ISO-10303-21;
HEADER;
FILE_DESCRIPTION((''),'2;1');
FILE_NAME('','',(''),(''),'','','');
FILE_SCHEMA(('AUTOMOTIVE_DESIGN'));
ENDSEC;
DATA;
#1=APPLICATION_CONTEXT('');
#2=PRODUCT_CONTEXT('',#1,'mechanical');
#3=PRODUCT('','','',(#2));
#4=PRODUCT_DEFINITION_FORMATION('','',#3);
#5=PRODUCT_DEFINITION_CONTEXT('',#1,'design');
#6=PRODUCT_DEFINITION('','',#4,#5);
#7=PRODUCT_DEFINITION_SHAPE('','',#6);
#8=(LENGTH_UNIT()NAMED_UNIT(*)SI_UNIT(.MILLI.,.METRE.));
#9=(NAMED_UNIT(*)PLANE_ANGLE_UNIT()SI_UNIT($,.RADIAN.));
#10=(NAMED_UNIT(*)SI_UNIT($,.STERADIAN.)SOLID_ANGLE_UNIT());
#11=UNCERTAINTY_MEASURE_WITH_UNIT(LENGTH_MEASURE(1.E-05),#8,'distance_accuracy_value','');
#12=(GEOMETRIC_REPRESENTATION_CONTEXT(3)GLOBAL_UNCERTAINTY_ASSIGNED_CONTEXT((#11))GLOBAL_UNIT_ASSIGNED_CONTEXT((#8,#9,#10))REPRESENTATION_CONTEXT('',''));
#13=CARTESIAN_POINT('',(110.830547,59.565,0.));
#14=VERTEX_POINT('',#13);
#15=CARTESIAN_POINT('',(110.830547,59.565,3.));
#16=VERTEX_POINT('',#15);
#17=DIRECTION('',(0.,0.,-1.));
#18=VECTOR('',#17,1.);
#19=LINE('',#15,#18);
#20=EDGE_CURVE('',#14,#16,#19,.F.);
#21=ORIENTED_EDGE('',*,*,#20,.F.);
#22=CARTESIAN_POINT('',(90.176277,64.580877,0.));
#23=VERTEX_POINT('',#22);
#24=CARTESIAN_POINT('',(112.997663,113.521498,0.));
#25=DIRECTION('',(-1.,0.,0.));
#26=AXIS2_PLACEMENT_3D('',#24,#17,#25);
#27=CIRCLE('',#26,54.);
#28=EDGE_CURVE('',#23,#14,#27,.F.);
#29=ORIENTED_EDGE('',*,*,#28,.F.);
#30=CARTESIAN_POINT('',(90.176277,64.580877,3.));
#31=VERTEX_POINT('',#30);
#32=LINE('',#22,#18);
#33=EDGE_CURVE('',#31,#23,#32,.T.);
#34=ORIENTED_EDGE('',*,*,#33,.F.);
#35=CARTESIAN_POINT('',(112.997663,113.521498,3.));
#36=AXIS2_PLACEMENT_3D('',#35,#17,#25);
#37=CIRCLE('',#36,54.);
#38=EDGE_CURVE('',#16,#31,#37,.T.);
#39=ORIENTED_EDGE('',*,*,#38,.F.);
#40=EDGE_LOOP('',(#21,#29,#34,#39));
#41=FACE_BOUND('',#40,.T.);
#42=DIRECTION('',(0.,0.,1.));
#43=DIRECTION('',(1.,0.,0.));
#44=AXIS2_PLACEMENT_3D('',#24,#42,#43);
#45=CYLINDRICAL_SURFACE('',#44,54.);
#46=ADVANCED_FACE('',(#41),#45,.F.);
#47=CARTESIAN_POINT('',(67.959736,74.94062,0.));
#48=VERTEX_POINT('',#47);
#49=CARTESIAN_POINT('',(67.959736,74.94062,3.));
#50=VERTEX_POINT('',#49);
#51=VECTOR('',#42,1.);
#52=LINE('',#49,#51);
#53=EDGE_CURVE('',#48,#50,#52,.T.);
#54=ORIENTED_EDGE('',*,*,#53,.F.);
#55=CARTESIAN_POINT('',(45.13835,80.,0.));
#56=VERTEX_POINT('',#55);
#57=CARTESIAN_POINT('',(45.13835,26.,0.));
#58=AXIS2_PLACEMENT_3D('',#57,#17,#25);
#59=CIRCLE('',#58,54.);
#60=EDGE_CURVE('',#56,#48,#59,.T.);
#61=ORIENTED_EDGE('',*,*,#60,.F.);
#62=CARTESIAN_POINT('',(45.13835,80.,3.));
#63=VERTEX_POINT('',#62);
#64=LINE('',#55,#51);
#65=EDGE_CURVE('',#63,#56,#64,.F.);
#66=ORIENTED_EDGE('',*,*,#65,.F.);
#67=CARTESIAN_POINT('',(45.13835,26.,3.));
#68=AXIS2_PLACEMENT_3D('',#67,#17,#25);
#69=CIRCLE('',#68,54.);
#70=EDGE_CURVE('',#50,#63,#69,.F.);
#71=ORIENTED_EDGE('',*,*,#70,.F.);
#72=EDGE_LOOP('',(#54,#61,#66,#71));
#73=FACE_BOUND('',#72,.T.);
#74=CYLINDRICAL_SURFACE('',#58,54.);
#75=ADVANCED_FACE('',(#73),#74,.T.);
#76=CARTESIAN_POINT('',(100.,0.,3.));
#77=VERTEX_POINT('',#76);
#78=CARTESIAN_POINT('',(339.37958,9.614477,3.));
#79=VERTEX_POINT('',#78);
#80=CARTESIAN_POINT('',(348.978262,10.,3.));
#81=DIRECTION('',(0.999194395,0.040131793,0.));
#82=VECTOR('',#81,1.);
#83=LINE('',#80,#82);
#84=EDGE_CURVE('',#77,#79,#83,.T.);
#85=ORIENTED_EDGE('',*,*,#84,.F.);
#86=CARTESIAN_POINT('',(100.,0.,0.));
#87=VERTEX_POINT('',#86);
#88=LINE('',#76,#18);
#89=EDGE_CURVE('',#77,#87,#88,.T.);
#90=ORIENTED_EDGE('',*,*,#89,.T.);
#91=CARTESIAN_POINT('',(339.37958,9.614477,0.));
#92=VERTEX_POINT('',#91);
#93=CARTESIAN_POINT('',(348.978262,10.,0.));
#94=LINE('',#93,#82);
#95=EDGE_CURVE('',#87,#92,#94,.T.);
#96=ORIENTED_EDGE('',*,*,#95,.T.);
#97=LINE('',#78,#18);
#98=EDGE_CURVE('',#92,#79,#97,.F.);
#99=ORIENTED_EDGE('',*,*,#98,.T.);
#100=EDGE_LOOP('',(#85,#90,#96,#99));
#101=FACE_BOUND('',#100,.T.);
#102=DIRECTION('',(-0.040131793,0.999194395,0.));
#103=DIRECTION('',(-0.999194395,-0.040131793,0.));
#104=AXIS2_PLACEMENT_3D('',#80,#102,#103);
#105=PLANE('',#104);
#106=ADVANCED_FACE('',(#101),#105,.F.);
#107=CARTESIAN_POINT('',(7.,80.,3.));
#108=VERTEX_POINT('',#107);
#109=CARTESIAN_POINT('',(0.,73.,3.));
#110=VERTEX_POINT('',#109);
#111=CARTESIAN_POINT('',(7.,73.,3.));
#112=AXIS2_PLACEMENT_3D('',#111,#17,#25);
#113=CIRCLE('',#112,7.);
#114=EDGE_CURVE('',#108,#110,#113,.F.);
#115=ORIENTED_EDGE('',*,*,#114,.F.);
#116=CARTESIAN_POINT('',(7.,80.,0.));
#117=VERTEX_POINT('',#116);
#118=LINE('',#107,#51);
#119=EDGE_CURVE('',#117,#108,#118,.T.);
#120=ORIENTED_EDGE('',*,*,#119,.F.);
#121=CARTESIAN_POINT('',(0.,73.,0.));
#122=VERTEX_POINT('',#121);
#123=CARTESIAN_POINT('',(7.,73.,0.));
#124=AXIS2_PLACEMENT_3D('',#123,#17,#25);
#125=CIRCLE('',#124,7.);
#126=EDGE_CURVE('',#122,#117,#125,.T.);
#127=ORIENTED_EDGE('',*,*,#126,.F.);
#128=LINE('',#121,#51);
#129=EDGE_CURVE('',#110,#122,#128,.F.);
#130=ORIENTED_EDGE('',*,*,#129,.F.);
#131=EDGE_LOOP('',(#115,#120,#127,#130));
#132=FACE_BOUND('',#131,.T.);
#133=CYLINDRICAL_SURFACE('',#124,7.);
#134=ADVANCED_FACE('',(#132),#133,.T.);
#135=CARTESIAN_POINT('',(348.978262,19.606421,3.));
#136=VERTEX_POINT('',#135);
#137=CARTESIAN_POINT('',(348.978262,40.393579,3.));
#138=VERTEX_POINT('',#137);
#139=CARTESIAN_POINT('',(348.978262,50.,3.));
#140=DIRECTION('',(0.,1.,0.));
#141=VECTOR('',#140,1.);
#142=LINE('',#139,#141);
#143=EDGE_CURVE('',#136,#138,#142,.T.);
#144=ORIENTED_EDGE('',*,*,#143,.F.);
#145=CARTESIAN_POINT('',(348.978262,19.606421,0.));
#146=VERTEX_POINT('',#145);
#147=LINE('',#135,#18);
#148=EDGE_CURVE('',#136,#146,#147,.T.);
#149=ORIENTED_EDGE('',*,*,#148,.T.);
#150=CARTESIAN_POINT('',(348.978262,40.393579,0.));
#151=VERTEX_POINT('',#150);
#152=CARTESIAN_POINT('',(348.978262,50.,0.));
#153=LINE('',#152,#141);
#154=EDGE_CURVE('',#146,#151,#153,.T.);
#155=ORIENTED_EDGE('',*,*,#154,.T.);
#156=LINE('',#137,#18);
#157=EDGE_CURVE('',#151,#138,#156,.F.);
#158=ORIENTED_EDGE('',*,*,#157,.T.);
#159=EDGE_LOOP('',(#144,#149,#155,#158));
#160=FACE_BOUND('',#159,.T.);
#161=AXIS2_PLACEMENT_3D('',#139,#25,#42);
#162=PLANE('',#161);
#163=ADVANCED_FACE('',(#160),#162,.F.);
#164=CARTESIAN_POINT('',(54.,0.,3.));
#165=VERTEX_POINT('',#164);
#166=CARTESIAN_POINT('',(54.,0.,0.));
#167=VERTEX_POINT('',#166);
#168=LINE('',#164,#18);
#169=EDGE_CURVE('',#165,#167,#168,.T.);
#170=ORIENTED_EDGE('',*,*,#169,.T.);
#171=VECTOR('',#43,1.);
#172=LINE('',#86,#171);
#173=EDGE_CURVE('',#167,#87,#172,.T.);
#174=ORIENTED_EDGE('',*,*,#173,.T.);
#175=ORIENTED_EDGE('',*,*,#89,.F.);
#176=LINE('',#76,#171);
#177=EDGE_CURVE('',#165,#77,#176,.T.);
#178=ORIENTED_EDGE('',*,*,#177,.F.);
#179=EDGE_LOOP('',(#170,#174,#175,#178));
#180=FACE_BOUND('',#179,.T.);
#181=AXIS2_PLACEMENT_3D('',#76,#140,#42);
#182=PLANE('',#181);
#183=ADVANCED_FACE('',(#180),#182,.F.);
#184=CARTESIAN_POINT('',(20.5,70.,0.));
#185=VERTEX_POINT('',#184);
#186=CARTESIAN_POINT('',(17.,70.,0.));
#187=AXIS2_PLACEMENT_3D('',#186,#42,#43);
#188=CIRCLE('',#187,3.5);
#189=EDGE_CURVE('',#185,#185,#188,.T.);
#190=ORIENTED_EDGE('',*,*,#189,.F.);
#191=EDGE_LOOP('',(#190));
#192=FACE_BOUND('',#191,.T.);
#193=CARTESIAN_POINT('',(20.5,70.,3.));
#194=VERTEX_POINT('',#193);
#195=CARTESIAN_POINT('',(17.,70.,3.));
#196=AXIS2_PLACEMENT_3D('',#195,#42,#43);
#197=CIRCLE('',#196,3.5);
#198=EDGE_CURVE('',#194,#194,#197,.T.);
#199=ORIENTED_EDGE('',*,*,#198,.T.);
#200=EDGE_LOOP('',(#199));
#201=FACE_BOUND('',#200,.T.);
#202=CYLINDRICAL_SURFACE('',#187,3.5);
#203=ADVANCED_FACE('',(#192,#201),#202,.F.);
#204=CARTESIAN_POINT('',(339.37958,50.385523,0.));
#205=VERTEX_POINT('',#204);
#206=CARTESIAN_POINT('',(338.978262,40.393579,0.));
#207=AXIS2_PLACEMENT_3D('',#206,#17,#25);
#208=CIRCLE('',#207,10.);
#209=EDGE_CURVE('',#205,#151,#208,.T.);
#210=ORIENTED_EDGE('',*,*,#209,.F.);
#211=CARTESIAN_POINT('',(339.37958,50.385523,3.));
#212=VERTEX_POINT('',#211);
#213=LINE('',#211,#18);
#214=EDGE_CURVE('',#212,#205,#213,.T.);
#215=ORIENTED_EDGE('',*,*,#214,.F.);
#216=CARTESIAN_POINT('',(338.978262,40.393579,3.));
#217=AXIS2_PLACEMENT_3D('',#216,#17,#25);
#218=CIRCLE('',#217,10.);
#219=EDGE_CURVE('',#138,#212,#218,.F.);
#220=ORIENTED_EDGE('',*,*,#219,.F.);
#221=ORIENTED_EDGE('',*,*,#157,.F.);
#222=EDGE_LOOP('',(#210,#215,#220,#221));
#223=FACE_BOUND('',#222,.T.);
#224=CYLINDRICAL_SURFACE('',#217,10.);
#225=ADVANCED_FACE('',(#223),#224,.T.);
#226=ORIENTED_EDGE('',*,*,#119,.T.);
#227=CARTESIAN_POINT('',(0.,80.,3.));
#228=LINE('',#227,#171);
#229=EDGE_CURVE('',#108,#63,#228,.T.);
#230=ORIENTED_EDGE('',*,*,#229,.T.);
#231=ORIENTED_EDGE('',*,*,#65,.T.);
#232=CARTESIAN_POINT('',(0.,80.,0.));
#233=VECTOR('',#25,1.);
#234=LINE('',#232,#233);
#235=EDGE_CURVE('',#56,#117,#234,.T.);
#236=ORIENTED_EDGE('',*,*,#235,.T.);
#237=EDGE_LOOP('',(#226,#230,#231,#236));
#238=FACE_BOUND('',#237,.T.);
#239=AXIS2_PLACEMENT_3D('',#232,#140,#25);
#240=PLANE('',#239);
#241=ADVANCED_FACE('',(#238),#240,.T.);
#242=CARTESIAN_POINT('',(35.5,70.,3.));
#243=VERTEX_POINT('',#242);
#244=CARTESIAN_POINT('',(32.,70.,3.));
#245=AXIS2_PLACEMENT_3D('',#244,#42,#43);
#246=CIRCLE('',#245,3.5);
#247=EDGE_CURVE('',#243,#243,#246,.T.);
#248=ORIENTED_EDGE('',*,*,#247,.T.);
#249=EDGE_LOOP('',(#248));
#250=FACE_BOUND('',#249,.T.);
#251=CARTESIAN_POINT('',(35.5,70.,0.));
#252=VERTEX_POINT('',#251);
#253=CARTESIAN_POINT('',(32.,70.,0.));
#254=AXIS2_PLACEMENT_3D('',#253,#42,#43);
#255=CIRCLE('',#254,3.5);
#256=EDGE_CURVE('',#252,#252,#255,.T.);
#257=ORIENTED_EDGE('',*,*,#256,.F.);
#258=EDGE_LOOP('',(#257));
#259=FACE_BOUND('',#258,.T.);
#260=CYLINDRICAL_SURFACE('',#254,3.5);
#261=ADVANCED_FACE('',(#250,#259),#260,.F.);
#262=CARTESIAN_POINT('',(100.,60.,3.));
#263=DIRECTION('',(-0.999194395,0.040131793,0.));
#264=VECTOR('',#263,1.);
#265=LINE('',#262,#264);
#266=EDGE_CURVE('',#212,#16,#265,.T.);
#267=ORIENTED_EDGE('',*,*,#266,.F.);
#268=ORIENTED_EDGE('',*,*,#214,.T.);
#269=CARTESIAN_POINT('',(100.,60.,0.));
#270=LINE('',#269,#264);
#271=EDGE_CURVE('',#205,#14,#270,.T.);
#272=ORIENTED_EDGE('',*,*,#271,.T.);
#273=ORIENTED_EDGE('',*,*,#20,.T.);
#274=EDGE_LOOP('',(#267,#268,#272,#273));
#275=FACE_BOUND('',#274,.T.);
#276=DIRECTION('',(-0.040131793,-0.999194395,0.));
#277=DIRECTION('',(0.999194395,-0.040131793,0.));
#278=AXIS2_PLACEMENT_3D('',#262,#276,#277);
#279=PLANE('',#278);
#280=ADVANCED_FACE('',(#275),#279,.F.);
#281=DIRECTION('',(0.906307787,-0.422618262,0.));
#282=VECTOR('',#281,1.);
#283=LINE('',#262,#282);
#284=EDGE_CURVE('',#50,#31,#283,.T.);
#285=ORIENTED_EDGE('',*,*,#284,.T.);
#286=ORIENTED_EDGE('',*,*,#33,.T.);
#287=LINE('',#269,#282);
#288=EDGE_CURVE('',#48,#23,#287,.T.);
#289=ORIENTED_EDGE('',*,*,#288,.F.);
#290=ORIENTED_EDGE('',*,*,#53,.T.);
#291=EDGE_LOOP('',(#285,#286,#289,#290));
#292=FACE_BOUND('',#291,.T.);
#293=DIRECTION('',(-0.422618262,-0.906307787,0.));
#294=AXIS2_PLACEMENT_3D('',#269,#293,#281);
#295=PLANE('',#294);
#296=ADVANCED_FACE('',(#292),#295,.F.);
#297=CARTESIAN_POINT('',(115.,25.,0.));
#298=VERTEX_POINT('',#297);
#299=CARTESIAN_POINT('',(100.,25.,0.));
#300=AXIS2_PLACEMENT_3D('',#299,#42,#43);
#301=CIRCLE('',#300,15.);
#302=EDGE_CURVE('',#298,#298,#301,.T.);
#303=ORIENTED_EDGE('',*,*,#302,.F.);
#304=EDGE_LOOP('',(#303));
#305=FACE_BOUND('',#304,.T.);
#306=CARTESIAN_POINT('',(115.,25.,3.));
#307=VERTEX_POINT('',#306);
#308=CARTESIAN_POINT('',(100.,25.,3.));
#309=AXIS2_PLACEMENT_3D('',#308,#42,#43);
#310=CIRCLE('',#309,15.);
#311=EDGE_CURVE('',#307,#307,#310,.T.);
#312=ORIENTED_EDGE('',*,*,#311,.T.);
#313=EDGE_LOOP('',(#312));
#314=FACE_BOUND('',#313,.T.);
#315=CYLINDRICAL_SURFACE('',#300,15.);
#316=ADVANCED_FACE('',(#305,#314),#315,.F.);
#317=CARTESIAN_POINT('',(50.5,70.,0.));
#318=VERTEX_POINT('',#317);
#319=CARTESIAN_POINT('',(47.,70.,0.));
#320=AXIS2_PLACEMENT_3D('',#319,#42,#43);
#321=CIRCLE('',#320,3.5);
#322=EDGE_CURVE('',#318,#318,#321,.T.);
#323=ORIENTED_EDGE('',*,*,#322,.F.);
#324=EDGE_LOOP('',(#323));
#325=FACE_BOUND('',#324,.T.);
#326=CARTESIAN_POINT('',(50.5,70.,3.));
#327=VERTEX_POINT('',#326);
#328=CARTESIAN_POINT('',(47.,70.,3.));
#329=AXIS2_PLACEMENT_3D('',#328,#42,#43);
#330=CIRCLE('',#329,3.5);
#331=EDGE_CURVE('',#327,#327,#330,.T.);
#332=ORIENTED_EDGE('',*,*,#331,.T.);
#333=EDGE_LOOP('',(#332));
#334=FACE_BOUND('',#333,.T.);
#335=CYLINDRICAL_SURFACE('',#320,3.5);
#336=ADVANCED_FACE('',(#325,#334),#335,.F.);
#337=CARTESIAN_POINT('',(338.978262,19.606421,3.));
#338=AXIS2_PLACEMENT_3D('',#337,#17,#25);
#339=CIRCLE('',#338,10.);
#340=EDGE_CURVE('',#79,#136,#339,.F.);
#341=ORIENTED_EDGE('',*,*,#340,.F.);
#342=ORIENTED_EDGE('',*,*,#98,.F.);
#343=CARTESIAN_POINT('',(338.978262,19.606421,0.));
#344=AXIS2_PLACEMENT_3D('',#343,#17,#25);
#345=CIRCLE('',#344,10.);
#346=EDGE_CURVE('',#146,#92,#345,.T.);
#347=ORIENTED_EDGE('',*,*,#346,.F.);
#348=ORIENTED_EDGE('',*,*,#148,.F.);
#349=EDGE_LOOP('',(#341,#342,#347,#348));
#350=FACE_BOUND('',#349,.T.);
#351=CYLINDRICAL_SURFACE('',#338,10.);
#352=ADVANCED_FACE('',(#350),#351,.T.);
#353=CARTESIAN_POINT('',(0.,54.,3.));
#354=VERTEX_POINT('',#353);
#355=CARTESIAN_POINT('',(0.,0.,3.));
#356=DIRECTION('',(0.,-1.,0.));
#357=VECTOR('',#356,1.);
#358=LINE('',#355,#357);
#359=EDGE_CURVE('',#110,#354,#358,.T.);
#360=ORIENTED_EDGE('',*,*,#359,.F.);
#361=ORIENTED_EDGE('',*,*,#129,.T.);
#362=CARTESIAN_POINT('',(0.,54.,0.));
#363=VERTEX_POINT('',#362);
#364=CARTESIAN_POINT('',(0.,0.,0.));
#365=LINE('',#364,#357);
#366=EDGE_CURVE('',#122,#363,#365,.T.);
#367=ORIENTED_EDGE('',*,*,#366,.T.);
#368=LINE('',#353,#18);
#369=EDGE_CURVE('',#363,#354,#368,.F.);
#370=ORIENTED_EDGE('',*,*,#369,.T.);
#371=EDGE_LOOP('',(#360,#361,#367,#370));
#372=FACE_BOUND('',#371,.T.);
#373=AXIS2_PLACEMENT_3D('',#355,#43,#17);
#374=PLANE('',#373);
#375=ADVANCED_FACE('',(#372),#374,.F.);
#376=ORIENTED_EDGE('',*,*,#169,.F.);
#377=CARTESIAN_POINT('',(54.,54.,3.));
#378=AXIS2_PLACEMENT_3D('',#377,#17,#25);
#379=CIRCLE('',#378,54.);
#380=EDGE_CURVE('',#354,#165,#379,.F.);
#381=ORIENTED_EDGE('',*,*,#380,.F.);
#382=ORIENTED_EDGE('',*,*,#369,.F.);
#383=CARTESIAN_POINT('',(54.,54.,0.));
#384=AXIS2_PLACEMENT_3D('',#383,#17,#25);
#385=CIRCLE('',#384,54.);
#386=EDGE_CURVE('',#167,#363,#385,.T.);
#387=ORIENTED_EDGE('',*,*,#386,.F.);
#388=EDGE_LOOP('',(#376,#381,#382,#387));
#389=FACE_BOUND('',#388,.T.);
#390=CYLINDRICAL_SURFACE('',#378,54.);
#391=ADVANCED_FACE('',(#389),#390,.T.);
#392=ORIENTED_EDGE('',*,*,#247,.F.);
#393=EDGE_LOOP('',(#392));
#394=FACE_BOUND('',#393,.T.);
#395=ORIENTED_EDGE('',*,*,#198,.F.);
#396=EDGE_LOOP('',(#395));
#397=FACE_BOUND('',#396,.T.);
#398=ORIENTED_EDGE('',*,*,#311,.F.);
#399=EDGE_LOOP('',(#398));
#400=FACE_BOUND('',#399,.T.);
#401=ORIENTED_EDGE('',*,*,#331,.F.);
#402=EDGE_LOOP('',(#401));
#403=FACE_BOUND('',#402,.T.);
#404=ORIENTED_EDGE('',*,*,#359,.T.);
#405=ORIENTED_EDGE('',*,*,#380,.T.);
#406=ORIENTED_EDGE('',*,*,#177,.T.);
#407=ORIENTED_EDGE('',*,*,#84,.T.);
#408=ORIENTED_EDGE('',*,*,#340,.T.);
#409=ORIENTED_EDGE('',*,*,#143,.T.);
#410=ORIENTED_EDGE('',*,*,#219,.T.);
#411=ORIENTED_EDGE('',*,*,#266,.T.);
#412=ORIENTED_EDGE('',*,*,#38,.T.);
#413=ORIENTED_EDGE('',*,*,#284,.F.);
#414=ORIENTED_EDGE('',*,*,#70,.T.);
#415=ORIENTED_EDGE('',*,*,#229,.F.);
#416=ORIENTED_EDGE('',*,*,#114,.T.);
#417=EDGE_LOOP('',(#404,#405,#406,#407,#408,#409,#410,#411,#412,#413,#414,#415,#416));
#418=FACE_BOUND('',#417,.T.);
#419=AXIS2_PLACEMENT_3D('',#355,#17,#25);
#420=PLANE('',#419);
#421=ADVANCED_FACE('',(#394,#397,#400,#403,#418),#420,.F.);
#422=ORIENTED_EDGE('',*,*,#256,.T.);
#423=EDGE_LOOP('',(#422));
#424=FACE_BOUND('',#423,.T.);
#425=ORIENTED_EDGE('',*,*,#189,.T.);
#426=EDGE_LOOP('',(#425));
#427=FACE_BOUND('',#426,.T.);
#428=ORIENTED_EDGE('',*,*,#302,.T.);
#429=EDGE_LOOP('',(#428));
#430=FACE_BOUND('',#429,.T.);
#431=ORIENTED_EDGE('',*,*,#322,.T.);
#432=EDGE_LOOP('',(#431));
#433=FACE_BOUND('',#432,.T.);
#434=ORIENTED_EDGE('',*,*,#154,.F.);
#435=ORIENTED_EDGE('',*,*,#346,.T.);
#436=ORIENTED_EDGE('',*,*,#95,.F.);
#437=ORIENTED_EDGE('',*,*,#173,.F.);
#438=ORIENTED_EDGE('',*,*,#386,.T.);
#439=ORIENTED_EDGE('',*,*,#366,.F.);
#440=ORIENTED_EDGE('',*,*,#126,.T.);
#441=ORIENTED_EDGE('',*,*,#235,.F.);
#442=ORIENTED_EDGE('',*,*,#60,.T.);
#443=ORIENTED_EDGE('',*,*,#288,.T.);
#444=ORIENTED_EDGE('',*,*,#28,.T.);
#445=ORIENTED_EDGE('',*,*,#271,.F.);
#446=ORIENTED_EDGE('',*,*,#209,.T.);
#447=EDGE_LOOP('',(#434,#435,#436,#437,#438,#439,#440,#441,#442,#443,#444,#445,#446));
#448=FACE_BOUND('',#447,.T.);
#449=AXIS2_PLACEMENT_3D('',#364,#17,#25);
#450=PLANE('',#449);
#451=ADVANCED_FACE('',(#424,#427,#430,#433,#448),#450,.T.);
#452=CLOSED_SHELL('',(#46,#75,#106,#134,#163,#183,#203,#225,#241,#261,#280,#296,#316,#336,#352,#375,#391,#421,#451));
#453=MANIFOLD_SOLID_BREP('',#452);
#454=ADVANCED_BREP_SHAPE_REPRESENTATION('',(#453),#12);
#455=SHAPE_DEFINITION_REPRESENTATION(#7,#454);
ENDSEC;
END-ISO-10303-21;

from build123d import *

# Parameters (mm, degrees)
BOSS_EXTRU_1_DEPTH      = 3
ESQUISSE2_R             = 15
ENL_V_MAT_EXTRU_1_DEPTH = 3
ESQUISSE3_W             = 100
ESQUISSE3_H             = 3
BOSS_EXTRU_2_DEPTH      = 20
ESQUISSE4_R             = 3.5
ENL_V_MAT_EXTRU_2_DEPTH = 3
ENL_V_MAT_EXTRU_3_DEPTH = 3
CONG_1_R                = 54
CONG_3_R                = 54
CONG_4_R                = 10
CONG_5_R                = 7


with BuildPart() as part:
    # Esquisse1 → Boss.-Extru.1 (new body)
    with BuildSketch(Plane.XY):
        Polygon((0, 0), (0, 60), (100, 60), (348.978261886, 50), (348.978261886, 10), (100, 0), align=None)
    extrude(amount=BOSS_EXTRU_1_DEPTH)

    # Esquisse2 → Enlèv. mat.-Extru.1 (cut)
    with BuildSketch(Plane.XY.offset(3)):
        with Locations((100, 25)):
            Circle(ESQUISSE2_R)
    extrude(amount=-ENL_V_MAT_EXTRU_1_DEPTH, mode=Mode.SUBTRACT)

    # Esquisse3 → Boss.-Extru.2 (add)
    with BuildSketch(Plane(origin=(0, 60, 0), x_dir=(1, 0, 0), z_dir=(0, 1, 0))):
        with Locations((50, -1.5)):
            Rectangle(ESQUISSE3_W, ESQUISSE3_H)
    extrude(amount=BOSS_EXTRU_2_DEPTH)

    # Esquisse4 → Enlèv. mat.-Extru.2 (cut)
    with BuildSketch(Plane.XY.offset(3)):
        with Locations((47, 70)):
            Circle(ESQUISSE4_R)
        with Locations((32, 70)):
            Circle(ESQUISSE4_R)
        with Locations((17, 70)):
            Circle(ESQUISSE4_R)
    extrude(amount=-ENL_V_MAT_EXTRU_2_DEPTH, mode=Mode.SUBTRACT)

    # Esquisse5 → Enlèv. mat.-Extru.3 (cut)
    with BuildSketch(Plane.XY.offset(3)):
        Polygon((100, 60), (57.10986159, 80), (100, 80), align=None)
    extrude(amount=-ENL_V_MAT_EXTRU_3_DEPTH, mode=Mode.SUBTRACT)

    # Congé1
    cong_1_edges = [part.edges().sort_by_distance(p)[0] for p in [
        (100, 60, 1.5),
        (57.10986159, 80, 1.5),
    ]]
    fillet(cong_1_edges, radius=CONG_1_R)

    # Congé3
    cong_3_edges = [part.edges().sort_by_distance(p)[0] for p in [
        (0, 0, 1.5),
    ]]
    fillet(cong_3_edges, radius=CONG_3_R)

    # Congé4
    cong_4_edges = [part.edges().sort_by_distance(p)[0] for p in [
        (348.978261886, 50, 1.5),
        (348.978261886, 10, 1.5),
    ]]
    fillet(cong_4_edges, radius=CONG_4_R)

    # Congé5
    cong_5_edges = [part.edges().sort_by_distance(p)[0] for p in [
        (0, 80, 1.5),
    ]]
    fillet(cong_5_edges, radius=CONG_5_R)


solid = part.part
